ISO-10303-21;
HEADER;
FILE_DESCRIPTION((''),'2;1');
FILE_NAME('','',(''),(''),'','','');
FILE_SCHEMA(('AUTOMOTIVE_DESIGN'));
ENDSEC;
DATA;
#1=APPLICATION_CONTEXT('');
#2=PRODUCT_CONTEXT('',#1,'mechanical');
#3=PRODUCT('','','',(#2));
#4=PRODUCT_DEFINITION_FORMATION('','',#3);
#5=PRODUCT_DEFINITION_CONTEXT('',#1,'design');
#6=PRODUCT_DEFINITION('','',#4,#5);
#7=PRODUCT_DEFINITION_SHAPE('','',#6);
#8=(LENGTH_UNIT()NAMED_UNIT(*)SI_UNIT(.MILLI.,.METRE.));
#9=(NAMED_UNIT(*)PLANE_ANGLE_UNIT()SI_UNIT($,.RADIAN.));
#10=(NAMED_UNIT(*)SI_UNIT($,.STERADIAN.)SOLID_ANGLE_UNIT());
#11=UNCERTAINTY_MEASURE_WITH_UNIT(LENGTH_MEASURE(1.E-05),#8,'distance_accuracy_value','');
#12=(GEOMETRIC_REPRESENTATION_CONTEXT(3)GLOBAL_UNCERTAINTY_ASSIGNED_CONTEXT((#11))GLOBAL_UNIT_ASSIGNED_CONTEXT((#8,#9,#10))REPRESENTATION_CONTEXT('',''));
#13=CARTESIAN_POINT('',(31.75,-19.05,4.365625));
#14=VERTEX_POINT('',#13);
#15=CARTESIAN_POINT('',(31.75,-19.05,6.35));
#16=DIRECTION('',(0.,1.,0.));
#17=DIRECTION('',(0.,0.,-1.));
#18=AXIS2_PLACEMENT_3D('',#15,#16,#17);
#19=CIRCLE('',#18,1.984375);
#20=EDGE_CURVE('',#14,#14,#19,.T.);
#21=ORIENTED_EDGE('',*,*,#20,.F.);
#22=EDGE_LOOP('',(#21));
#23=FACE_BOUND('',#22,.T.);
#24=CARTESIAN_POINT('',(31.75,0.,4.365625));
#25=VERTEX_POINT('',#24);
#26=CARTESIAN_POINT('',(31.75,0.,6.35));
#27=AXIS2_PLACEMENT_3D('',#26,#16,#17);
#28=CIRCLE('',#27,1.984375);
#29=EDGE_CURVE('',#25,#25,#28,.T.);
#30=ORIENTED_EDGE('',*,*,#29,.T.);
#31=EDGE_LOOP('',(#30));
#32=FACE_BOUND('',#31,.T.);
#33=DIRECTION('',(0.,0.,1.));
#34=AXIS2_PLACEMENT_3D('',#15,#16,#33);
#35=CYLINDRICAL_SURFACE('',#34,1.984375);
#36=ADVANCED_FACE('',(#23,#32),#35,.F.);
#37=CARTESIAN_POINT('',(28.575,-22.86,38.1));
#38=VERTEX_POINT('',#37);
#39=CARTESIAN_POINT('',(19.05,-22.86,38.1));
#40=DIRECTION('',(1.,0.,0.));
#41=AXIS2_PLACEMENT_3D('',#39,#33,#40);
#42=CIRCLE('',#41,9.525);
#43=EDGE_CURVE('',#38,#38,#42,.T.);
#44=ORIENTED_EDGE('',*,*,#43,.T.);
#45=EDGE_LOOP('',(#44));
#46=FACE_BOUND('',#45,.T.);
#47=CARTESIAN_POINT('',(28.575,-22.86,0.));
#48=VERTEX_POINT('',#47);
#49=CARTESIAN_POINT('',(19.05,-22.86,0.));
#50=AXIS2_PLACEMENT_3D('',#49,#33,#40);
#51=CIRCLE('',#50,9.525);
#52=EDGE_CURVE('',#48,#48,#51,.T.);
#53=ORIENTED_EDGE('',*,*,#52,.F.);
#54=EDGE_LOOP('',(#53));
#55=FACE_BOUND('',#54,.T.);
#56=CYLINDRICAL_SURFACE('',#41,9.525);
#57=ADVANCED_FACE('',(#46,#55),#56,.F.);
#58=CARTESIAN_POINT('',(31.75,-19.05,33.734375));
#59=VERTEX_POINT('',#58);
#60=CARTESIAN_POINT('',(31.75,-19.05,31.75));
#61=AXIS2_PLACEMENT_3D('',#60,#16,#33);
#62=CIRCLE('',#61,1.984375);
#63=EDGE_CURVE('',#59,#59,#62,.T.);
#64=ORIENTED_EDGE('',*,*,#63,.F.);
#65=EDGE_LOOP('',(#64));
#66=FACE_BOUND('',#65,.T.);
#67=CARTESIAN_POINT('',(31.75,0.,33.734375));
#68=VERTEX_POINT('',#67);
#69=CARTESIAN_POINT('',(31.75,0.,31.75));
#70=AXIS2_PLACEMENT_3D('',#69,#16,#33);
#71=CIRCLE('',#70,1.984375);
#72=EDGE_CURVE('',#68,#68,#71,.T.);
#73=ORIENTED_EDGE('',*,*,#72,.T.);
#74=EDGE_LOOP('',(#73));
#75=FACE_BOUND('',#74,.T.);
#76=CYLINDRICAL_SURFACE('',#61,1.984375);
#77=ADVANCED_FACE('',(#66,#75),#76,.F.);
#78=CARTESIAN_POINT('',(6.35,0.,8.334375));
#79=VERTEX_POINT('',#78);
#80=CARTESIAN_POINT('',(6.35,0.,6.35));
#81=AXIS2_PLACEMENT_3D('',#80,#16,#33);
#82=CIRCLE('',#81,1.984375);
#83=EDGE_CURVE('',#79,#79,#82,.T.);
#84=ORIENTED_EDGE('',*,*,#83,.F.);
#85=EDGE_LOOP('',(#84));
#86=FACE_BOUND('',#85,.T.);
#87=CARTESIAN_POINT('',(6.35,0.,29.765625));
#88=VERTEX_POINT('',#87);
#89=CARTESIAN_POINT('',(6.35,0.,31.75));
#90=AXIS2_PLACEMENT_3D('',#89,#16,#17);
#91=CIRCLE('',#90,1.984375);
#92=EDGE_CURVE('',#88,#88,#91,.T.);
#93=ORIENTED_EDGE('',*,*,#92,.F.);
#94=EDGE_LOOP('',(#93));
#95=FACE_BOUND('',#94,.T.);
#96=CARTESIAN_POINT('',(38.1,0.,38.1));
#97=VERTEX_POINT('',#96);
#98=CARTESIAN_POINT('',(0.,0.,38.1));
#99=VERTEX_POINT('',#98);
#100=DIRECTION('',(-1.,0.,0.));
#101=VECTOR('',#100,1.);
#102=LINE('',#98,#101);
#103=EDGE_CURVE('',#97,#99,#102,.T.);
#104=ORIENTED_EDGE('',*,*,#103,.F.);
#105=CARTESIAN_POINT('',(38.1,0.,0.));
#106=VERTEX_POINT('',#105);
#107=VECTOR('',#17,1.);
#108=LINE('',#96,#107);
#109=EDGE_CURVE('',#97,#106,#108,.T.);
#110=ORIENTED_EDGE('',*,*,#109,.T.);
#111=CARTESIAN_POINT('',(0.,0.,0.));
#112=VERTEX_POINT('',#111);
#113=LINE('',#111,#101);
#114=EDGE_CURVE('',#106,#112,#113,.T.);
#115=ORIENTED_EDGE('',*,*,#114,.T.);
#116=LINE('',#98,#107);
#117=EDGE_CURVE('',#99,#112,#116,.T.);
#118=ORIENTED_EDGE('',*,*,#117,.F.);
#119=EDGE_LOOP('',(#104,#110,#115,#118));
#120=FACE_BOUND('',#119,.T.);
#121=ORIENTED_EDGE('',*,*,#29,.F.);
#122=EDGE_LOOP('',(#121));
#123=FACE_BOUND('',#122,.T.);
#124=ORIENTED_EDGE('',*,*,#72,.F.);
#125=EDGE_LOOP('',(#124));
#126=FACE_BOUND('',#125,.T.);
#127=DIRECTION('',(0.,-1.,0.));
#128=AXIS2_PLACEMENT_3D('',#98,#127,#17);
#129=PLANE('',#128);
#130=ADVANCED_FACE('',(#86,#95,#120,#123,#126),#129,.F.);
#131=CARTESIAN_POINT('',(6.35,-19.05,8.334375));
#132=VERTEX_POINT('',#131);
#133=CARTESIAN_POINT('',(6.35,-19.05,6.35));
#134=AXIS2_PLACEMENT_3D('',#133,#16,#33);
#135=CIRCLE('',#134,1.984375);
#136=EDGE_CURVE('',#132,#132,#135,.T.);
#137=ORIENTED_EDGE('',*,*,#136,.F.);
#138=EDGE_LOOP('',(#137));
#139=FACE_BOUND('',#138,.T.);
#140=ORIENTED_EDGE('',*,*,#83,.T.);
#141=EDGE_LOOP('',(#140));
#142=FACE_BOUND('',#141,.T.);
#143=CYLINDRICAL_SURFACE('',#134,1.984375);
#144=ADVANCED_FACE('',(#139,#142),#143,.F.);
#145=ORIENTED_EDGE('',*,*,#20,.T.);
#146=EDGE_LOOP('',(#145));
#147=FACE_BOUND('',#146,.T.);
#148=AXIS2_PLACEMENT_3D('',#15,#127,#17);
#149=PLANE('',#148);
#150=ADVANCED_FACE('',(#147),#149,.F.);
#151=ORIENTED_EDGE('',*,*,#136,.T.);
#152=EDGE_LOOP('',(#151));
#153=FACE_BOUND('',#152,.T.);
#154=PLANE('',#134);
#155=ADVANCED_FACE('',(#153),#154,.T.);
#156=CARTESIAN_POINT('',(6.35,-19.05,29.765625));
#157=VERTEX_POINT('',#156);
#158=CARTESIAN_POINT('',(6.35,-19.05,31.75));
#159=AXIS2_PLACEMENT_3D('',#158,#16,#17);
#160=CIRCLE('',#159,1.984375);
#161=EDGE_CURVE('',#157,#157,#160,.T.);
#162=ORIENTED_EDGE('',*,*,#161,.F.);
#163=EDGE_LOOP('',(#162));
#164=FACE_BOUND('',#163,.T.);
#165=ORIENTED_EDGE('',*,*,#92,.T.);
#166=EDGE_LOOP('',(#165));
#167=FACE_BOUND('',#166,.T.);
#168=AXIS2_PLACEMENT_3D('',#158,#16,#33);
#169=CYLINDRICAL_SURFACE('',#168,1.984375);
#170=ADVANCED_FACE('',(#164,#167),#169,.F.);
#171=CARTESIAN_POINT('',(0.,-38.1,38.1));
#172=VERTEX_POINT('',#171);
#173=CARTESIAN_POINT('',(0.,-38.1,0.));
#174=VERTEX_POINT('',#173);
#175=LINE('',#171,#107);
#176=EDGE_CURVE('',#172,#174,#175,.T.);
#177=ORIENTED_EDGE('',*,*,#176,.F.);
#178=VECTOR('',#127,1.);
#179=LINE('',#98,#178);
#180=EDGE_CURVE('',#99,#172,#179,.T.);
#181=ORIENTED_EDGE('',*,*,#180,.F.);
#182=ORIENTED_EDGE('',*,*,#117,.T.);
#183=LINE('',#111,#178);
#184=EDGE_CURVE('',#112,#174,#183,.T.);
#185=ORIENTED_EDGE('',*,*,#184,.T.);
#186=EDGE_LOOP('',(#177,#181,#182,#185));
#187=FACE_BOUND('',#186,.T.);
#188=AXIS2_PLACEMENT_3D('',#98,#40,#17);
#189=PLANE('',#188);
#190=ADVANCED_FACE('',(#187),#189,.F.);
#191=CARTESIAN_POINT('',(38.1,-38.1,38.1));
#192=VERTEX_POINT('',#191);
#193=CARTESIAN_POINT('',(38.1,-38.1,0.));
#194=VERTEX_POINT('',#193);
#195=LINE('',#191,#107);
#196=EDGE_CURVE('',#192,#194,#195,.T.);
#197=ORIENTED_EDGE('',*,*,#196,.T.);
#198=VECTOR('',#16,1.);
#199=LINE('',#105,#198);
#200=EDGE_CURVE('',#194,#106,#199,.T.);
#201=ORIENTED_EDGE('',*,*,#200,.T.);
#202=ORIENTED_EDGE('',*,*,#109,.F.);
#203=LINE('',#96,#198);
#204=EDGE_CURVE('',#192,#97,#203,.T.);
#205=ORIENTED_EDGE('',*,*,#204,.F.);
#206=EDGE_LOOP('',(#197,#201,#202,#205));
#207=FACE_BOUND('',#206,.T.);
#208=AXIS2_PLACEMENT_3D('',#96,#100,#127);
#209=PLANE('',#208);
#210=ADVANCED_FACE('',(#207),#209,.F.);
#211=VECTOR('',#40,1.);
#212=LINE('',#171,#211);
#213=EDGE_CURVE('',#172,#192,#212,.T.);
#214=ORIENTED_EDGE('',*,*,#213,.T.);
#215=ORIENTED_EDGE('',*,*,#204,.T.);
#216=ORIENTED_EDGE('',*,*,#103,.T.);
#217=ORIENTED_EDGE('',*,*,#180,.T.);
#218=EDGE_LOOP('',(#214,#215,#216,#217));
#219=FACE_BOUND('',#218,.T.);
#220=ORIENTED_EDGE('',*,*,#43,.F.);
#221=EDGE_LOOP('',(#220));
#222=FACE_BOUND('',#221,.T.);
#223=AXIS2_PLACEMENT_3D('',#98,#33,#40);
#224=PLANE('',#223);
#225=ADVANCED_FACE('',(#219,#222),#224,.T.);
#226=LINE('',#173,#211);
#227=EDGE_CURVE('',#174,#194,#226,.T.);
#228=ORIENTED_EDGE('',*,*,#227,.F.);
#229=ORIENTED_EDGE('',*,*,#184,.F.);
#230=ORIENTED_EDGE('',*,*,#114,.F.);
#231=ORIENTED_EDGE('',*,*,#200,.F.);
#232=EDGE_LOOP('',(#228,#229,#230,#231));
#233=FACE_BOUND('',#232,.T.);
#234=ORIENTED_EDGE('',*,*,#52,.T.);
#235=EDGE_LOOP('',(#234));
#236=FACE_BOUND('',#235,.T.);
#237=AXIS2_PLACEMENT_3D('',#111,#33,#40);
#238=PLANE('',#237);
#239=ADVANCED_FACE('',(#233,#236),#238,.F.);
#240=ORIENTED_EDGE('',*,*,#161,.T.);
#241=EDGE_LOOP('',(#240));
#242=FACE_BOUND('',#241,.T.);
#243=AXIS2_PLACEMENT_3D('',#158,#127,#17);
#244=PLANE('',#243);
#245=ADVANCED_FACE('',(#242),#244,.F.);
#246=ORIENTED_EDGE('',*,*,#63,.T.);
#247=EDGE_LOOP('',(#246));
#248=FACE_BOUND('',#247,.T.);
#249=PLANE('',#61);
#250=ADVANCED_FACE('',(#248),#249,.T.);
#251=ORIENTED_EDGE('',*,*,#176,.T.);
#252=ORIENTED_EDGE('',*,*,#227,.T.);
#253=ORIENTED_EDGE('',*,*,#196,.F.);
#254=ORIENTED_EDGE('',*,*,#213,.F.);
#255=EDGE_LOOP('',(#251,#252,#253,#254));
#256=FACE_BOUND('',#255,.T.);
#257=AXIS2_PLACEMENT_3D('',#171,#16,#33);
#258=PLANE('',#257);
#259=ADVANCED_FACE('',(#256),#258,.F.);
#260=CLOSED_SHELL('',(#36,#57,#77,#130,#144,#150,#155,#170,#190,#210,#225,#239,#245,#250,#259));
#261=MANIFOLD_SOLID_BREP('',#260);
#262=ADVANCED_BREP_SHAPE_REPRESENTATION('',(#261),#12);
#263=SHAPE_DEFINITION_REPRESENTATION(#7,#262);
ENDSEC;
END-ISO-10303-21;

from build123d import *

# Parameters (mm, degrees)
SKETCH1_W                   = 38.1
SKETCH1_H                   = 38.1
BOSS_EXTRUDE1_DEPTH         = 38.1
SKETCH4_R                   = 1.984375
CUT_EXTRUDE2_DEPTH          = 19.05
F_3_4_0_75_DIAMETER_HOLE1_D = 19.05


with BuildPart() as part:
    # Sketch1 → Boss-Extrude1 (new body)
    with BuildSketch(Plane.XY):
        with Locations((19.05, -19.05)):
            Rectangle(SKETCH1_W, SKETCH1_H)
    extrude(amount=BOSS_EXTRUDE1_DEPTH)

    # Sketch4 → Cut-Extrude2 (cut)
    with BuildSketch(Plane(origin=(0, 0, 0), x_dir=(1, 0, 0), z_dir=(0, 1, 0))):
        with Locations((6.35, -6.35)):
            Circle(SKETCH4_R)
        with Locations((6.35, -31.75)):
            Circle(SKETCH4_R)
        with Locations((31.75, -6.35)):
            Circle(SKETCH4_R)
        with Locations((31.75, -31.75)):
            Circle(SKETCH4_R)
    extrude(amount=-CUT_EXTRUDE2_DEPTH, mode=Mode.SUBTRACT)

    # 3/4 (0.75) Diameter Hole1 (through all)
    with Locations(Plane.XY.offset(38.1)):
        with Locations((19.05, -22.86)):
            Hole(F_3_4_0_75_DIAMETER_HOLE1_D / 2)


solid = part.part
